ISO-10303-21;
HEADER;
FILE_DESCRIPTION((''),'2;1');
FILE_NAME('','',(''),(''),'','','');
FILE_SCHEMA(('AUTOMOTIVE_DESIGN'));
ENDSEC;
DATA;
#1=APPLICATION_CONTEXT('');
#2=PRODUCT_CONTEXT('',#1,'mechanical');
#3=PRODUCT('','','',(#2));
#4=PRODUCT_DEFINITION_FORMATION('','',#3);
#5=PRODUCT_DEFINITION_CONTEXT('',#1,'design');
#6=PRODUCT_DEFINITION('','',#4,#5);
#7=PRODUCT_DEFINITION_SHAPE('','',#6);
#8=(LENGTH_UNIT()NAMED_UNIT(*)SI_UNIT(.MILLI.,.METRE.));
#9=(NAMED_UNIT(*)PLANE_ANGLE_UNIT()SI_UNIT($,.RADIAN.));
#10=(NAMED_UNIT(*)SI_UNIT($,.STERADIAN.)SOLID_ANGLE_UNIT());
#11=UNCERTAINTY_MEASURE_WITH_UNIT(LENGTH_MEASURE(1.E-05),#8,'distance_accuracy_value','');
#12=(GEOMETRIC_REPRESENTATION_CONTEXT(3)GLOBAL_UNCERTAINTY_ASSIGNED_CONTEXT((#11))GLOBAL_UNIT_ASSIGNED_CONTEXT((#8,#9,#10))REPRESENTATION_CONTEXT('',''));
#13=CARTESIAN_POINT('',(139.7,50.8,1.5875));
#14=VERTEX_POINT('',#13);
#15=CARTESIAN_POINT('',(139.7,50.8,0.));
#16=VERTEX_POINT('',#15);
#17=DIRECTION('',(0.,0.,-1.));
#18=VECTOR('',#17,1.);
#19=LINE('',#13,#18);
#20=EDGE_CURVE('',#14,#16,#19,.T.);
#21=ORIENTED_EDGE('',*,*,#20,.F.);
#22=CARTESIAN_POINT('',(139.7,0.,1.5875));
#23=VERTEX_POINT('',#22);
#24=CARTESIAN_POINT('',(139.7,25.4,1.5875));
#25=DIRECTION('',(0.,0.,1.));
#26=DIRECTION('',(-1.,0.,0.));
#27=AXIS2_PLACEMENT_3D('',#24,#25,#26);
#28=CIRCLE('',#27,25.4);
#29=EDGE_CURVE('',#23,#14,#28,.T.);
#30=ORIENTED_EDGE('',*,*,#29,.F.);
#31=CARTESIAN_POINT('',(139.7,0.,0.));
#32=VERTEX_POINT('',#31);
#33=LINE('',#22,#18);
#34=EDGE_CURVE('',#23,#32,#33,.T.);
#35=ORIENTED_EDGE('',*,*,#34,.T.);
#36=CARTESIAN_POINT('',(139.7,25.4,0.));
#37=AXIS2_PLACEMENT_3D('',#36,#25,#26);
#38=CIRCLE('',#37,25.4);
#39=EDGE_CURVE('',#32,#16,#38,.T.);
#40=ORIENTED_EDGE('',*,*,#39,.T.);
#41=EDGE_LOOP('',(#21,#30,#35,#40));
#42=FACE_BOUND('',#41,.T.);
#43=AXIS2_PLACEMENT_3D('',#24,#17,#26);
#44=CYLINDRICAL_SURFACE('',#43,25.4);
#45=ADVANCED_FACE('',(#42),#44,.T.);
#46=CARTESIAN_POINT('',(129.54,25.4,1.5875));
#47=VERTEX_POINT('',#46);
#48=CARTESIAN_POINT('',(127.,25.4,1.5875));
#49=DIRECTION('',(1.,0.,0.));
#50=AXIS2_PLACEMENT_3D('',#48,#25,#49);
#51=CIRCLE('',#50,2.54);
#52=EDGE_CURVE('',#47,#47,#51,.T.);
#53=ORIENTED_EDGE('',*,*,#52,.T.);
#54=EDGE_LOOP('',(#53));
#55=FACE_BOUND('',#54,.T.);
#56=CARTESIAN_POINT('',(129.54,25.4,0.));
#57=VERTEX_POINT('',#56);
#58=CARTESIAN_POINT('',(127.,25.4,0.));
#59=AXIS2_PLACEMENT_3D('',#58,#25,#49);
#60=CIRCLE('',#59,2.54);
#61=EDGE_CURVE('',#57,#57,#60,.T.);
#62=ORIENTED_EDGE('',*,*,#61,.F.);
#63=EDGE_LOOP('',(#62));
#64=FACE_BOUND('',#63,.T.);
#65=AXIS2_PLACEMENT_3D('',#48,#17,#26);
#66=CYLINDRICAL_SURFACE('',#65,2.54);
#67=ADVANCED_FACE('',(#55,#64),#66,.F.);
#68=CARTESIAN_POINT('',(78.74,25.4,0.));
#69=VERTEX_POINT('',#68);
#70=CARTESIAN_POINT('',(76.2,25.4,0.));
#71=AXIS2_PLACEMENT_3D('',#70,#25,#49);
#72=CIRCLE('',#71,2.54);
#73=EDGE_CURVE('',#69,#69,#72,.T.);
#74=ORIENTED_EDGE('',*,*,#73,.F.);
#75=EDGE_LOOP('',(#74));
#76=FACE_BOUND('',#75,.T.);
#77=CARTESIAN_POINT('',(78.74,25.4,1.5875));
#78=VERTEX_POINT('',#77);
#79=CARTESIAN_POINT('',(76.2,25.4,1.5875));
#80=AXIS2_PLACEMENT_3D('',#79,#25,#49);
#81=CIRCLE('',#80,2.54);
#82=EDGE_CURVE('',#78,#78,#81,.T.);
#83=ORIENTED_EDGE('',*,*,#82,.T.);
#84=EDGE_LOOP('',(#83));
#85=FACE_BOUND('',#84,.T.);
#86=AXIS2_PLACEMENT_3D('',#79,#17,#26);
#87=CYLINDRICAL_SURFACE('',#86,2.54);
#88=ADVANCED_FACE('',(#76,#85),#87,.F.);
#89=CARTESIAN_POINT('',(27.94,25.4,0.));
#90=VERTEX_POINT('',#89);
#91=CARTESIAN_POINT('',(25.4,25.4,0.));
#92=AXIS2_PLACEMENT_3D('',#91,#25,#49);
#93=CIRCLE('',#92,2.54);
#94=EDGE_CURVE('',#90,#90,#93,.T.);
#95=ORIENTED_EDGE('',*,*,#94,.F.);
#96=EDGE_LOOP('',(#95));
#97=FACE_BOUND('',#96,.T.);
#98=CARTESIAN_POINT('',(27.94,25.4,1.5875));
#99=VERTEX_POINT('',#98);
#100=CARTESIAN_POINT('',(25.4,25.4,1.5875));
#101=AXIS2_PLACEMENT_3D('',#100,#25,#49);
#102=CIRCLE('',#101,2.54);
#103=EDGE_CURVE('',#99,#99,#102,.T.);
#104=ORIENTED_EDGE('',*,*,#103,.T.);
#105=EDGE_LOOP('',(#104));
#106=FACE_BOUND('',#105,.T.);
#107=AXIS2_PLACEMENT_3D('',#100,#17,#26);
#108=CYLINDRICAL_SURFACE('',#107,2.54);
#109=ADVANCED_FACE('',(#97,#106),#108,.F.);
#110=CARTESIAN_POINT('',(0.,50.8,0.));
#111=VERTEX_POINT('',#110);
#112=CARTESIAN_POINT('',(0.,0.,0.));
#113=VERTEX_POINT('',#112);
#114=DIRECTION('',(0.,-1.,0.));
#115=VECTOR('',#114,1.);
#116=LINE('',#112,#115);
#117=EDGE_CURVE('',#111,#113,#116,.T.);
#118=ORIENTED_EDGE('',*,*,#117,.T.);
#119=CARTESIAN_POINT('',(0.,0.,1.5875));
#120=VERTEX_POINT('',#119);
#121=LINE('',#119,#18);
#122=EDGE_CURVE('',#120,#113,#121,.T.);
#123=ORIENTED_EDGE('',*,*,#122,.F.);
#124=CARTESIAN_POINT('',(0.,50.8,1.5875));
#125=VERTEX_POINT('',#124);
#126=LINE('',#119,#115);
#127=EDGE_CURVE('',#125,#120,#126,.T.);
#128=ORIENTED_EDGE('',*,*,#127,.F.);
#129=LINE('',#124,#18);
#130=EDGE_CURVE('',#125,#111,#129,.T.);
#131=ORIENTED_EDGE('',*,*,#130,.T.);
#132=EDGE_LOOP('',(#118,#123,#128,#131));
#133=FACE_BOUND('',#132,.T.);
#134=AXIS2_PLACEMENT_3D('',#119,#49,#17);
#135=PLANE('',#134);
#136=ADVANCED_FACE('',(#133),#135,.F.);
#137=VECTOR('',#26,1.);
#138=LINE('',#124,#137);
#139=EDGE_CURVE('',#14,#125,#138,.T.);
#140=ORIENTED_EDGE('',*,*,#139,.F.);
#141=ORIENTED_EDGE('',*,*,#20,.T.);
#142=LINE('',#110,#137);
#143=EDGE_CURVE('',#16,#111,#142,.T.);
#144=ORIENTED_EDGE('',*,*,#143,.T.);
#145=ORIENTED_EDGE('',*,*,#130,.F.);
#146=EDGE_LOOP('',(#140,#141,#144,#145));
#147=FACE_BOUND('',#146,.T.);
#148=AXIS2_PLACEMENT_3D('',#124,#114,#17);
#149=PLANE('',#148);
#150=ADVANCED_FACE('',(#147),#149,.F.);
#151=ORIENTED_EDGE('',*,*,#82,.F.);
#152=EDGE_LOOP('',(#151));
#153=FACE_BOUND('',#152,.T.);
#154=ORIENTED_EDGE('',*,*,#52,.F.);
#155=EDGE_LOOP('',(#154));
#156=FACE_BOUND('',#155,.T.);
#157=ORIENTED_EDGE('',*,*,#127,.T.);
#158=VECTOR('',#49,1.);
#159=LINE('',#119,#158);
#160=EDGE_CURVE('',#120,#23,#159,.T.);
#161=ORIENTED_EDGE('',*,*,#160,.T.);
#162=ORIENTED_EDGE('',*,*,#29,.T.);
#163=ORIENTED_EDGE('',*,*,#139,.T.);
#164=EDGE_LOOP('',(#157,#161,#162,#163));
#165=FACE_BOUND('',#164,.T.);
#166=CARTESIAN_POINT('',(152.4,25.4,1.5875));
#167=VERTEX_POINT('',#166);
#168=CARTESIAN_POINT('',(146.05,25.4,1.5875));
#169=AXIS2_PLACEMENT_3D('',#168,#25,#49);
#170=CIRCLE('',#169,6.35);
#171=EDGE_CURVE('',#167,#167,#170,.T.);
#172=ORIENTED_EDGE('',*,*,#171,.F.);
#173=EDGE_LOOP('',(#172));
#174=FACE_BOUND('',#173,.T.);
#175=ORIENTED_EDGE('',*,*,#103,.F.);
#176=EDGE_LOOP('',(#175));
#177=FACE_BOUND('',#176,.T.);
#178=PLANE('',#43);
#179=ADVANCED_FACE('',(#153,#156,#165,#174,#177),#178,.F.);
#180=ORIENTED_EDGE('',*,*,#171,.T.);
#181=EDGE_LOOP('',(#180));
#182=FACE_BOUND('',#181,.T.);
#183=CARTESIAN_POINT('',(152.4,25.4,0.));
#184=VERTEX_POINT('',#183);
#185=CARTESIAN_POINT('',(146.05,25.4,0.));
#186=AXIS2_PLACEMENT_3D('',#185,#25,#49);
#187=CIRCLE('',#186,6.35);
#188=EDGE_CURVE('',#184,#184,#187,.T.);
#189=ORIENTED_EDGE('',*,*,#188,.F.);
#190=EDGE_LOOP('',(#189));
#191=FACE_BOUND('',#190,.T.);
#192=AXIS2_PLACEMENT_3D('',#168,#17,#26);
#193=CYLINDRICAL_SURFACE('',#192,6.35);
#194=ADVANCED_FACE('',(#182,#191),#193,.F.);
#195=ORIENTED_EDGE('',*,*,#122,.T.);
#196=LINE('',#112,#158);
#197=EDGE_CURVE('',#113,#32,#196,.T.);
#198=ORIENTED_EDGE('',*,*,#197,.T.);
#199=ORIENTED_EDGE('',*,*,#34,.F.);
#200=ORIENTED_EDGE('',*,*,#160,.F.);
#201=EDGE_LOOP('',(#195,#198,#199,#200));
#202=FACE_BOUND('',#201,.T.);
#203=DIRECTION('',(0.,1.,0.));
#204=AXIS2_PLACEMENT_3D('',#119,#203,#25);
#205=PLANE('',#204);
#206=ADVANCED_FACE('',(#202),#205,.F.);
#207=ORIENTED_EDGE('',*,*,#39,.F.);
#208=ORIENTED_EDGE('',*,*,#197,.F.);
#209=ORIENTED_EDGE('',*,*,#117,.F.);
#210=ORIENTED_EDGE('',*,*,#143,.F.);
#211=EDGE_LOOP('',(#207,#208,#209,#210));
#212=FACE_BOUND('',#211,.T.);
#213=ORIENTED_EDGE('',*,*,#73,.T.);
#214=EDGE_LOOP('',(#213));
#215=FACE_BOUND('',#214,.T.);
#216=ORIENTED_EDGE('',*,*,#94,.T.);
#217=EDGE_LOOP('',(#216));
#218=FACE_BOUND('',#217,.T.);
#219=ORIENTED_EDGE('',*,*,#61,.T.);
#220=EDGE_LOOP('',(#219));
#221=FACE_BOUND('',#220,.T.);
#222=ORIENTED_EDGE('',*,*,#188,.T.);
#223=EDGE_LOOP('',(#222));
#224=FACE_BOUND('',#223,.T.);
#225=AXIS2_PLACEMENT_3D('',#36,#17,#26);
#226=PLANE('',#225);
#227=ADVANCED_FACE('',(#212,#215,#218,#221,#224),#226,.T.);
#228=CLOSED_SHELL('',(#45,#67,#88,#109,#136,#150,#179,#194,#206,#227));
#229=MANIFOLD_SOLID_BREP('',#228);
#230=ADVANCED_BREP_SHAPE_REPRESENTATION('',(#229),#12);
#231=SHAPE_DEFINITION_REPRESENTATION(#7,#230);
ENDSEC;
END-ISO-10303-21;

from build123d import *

# Parameters (mm, degrees)
SKETCH1_R           = 6.35
SKETCH1_R_2         = 2.54
BOSS_EXTRUDE1_DEPTH = 1.5875


with BuildPart() as part:
    # Sketch1 → Boss-Extrude1 (new body)
    with BuildSketch(Plane.XY):
        with BuildLine():
            Line((0, 0), (139.7, 0))
            ThreePointArc((139.7, 0), (165.1, 25.4), (139.7, 50.8))
            Line((139.7, 50.8), (0, 50.8))
            Line((0, 50.8), (0, 0))
        make_face()
        with Locations((146.05, 25.4)):
            Circle(SKETCH1_R, mode=Mode.SUBTRACT)
        with Locations((25.4, 25.4)):
            Circle(SKETCH1_R_2, mode=Mode.SUBTRACT)
        with Locations((76.2, 25.4)):
            Circle(SKETCH1_R_2, mode=Mode.SUBTRACT)
        with Locations((127, 25.4)):
            Circle(SKETCH1_R_2, mode=Mode.SUBTRACT)
    extrude(amount=BOSS_EXTRUDE1_DEPTH)


solid = part.part
